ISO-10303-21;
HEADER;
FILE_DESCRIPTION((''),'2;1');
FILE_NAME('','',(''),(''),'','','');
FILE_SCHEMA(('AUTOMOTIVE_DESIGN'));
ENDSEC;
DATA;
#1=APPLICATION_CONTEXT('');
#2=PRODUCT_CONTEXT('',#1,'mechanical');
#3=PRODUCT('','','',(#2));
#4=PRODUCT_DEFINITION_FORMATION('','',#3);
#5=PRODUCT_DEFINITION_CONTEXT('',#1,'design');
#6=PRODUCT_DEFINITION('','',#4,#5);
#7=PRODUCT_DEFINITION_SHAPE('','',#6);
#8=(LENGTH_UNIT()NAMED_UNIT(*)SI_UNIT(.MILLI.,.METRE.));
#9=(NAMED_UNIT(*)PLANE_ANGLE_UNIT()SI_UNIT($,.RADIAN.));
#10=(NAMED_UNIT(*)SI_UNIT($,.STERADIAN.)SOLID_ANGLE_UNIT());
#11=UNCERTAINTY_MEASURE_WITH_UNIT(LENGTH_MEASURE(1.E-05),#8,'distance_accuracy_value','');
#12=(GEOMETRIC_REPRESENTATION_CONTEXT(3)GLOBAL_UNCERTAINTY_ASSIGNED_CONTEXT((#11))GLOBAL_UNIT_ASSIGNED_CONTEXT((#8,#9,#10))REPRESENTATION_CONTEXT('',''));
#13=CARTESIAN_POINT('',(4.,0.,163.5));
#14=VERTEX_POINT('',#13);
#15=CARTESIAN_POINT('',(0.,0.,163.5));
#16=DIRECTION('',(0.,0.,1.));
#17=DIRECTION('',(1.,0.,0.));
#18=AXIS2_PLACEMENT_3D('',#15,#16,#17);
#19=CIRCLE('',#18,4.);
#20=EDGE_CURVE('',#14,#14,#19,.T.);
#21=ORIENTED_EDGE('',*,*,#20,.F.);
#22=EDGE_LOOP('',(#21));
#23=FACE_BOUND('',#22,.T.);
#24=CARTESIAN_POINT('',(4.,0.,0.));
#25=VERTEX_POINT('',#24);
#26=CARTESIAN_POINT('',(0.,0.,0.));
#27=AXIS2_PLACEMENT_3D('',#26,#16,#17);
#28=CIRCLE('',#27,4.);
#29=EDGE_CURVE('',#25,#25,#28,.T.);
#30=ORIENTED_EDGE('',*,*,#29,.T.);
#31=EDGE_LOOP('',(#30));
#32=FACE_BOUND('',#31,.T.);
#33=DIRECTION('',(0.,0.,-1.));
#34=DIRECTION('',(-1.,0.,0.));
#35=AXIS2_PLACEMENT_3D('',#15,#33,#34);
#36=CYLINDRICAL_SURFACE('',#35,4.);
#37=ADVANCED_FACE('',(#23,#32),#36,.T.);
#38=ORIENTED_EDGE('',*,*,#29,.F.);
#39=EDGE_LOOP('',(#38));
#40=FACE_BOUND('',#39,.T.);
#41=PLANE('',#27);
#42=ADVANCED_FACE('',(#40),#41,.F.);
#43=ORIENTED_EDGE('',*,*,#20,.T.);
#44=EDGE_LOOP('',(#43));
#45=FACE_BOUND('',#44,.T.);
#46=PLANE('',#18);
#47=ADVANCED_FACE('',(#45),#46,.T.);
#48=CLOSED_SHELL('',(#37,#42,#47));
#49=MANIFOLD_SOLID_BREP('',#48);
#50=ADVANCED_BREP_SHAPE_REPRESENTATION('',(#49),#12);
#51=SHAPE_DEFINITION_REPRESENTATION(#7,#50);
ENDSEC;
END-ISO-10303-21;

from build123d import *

# Parameters (mm, degrees)
SKETCH1_R           = 4
BOSS_EXTRUDE1_DEPTH = 163.5


with BuildPart() as part:
    # Sketch1 → Boss-Extrude1 (new body)
    with BuildSketch(Plane.XY):
        Circle(SKETCH1_R)
    extrude(amount=BOSS_EXTRUDE1_DEPTH)


solid = part.part
